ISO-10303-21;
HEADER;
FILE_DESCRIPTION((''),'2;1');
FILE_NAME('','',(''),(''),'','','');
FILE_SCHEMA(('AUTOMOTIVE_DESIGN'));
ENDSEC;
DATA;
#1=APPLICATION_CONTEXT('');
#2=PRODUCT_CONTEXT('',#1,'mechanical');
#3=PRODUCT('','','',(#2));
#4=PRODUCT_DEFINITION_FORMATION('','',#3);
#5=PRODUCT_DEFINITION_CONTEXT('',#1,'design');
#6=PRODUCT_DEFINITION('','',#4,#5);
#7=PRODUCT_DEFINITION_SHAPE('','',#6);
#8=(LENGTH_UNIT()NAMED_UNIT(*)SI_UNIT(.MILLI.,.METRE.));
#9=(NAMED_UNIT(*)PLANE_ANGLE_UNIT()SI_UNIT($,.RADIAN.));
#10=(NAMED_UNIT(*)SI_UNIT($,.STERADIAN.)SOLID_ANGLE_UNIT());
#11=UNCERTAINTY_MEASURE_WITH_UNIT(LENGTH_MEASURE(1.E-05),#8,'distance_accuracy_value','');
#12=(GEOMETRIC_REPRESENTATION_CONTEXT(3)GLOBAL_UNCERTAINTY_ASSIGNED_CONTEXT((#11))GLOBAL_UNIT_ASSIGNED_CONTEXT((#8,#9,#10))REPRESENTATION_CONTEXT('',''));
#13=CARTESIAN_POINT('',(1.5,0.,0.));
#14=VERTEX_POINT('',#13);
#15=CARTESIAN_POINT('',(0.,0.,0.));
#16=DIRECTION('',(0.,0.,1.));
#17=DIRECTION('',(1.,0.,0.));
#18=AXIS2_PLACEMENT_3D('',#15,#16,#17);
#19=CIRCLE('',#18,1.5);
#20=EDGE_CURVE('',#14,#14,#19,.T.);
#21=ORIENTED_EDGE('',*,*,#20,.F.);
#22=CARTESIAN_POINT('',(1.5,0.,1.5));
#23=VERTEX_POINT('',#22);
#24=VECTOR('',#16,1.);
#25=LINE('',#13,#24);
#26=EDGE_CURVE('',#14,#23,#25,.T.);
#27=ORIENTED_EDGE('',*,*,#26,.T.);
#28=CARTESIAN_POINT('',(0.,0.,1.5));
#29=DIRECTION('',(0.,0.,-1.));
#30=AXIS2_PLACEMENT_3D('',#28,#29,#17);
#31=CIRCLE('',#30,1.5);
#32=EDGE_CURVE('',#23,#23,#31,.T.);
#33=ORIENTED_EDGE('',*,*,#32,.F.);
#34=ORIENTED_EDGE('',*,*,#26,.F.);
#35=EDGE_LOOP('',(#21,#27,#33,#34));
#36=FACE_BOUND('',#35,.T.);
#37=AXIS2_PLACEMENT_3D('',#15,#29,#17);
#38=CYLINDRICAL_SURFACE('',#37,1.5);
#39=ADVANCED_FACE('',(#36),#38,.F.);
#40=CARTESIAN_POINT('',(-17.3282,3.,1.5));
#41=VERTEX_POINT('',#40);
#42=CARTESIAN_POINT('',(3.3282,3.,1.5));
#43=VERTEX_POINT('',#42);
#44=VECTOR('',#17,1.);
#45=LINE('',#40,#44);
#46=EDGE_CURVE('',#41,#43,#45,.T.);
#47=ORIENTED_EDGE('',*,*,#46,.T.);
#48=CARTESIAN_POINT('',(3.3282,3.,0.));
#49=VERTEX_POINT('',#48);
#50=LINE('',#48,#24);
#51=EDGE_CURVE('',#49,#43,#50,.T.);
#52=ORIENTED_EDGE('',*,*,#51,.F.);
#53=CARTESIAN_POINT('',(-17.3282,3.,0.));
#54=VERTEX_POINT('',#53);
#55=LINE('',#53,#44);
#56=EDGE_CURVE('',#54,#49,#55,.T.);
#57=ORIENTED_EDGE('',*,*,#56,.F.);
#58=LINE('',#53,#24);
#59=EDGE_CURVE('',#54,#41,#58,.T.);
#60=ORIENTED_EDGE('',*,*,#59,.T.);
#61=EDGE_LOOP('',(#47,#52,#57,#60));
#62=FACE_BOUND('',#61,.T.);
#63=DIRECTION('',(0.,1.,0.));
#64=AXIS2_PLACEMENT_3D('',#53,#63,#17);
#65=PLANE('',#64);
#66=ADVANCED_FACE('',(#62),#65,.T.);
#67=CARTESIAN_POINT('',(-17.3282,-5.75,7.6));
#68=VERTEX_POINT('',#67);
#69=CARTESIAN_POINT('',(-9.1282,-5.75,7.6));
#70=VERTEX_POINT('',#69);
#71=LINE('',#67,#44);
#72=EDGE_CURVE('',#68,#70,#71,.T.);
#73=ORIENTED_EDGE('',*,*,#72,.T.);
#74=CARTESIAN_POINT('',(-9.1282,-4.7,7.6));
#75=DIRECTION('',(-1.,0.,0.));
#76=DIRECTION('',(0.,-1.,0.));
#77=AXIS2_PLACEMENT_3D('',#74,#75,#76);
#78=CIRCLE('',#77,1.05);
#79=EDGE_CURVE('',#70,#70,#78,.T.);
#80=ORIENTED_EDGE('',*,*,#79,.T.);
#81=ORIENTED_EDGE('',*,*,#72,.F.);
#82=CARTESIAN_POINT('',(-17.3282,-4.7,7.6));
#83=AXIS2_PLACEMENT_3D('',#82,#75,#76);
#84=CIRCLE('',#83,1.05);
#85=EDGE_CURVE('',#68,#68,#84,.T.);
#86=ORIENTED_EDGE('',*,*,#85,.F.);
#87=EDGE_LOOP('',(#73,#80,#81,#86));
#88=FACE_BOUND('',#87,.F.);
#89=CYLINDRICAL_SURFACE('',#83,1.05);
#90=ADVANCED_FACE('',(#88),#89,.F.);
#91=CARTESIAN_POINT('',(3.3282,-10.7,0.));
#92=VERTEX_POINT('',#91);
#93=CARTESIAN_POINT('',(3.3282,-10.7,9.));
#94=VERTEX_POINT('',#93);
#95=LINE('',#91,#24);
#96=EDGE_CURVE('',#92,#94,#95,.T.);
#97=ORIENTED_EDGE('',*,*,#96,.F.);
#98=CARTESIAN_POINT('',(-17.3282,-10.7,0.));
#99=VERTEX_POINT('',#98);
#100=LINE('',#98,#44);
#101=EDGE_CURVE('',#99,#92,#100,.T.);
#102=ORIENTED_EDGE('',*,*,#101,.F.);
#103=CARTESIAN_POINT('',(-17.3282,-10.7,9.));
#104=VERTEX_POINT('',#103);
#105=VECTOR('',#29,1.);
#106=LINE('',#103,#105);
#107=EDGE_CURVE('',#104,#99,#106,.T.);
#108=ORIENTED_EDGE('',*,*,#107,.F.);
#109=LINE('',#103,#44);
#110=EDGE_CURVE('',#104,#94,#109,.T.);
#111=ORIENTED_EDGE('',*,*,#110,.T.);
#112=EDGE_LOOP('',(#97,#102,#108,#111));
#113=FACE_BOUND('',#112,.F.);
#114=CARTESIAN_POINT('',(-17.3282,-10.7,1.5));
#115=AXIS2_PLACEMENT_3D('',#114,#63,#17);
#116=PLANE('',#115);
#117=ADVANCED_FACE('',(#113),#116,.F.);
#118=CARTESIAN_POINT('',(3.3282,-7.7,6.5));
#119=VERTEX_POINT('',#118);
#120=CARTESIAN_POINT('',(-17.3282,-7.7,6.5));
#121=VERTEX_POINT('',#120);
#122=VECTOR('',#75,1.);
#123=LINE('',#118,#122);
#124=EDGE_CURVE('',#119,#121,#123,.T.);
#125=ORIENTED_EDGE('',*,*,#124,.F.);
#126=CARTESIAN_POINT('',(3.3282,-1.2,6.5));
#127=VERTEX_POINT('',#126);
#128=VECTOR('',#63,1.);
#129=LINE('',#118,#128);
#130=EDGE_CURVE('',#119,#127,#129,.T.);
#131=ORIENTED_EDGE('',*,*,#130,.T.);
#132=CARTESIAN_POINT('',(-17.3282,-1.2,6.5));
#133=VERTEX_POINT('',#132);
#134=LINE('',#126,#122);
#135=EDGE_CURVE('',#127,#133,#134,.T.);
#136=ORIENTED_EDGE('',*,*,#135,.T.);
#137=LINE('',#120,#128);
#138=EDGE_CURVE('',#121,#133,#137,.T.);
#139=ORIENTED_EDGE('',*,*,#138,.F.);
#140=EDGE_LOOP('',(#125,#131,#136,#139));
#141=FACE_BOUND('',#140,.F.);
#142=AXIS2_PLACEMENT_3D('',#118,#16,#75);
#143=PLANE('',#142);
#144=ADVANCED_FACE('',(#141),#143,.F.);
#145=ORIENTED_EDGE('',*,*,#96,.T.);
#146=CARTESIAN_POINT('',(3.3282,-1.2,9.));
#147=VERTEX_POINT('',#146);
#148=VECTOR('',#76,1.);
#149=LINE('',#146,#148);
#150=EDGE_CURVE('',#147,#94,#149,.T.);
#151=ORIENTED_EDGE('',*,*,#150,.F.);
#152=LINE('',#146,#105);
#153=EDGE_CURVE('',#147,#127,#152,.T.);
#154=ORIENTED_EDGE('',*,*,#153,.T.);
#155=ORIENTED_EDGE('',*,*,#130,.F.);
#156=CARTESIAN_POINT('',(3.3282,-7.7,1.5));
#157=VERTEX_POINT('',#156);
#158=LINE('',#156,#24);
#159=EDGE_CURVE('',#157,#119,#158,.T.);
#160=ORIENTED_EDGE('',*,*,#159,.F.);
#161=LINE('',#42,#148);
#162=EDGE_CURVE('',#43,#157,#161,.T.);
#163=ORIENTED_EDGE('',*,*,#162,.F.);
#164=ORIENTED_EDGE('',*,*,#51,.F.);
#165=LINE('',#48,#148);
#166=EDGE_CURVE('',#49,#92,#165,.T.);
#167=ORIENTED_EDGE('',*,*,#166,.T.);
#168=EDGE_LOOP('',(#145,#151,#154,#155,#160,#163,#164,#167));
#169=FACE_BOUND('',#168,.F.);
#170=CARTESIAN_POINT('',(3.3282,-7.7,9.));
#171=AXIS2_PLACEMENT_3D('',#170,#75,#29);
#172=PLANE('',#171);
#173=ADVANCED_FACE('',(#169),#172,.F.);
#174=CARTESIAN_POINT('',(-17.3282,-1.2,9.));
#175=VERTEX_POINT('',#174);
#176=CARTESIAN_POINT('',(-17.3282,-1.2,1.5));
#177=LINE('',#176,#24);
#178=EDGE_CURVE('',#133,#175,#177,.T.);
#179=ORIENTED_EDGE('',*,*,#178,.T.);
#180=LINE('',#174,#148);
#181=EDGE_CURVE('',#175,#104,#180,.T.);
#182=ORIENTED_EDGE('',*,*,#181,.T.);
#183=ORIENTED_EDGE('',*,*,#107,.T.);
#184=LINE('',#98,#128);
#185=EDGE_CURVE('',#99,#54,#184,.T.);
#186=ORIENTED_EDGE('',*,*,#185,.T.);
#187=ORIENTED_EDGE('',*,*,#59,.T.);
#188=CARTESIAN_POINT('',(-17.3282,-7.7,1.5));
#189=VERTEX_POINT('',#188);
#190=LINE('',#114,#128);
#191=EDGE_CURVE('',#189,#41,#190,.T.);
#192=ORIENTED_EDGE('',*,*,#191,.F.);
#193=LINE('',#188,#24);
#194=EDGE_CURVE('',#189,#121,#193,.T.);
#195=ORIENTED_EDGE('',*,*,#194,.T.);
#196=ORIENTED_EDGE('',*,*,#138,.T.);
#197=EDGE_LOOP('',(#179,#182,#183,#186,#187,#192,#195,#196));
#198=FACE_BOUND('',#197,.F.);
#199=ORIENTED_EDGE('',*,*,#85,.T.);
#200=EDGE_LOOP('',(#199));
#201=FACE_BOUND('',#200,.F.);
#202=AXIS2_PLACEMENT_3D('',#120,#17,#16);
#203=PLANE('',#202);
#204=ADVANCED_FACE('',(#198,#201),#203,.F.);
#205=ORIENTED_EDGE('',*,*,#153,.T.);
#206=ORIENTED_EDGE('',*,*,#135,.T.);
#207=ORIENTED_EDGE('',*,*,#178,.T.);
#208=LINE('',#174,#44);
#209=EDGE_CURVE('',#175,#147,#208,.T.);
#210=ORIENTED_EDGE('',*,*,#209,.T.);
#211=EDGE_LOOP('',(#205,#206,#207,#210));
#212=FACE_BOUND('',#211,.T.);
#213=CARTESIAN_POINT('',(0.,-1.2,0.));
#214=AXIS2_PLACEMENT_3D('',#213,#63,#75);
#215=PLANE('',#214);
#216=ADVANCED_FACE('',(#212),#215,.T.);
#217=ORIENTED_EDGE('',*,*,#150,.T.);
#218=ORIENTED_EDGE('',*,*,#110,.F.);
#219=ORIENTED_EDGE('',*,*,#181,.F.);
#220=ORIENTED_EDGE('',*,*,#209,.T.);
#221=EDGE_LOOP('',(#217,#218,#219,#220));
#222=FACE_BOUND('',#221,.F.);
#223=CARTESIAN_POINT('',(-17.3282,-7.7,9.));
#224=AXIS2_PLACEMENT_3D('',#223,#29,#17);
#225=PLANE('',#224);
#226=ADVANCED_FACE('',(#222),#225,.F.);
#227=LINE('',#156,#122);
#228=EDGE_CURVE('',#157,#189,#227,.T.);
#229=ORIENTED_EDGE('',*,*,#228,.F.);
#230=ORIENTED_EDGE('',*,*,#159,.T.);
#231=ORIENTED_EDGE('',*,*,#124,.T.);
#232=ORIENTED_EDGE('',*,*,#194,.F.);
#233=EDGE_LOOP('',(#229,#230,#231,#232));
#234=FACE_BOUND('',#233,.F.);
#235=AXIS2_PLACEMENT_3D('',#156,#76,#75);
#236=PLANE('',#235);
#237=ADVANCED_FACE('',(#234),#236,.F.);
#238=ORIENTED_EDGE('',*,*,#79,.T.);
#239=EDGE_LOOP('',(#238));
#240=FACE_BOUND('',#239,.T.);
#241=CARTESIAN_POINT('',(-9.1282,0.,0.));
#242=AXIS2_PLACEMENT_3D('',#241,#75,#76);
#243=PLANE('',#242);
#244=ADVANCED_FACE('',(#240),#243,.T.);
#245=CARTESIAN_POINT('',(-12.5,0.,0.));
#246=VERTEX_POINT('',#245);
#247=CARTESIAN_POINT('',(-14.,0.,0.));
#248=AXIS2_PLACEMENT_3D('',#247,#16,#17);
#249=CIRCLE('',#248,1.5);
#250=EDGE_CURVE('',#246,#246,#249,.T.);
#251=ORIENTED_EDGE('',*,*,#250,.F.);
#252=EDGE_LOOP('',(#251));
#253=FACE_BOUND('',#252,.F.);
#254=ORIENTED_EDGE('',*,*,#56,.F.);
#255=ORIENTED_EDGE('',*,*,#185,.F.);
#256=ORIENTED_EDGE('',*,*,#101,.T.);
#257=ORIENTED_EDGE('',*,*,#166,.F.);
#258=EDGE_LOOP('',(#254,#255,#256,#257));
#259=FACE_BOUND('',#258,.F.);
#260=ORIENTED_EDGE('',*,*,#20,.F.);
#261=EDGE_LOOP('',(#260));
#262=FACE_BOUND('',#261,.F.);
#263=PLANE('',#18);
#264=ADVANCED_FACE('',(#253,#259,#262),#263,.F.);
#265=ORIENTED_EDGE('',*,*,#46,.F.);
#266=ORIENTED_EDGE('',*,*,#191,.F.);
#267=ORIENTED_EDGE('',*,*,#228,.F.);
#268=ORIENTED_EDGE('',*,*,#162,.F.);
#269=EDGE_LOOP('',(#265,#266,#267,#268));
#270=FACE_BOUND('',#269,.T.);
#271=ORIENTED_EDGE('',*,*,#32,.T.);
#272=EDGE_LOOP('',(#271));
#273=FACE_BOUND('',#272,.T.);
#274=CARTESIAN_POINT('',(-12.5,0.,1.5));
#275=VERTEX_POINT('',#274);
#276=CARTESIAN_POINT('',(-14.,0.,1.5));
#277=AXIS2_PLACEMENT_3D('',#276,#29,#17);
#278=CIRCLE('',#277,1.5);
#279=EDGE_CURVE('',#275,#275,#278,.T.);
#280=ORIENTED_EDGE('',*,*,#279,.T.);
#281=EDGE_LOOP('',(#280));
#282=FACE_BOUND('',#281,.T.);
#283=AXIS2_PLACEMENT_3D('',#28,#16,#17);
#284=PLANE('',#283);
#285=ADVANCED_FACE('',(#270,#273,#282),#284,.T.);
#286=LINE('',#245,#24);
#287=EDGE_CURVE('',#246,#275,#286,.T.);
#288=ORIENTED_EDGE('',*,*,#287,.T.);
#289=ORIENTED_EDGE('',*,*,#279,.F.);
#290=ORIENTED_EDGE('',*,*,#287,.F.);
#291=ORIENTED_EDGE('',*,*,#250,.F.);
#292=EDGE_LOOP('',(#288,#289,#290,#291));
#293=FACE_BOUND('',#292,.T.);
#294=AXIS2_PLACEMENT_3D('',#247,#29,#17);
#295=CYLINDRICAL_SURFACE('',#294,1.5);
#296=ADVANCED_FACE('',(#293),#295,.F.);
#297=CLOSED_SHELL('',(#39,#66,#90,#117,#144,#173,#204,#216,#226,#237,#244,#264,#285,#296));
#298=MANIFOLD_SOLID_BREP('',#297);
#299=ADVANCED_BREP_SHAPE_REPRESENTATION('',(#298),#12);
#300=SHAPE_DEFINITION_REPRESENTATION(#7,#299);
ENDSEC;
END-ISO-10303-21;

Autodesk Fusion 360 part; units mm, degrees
sketch "草图1" plane through (0, 0, 0) normal (0, 0, 1) x (1, 0, 0)
  circle A0 centre (0, 0) radius 1.5
  circle A1 centre (-14, 0) radius 1.5
  line L0 (-14, 0) -> (0, 0) construction
  line L1 (-7, 0) -> (-7, -17.5669) construction
  dimension "d1" = 3
  dimension "d2" = 14
  dimension "d3" = 3
sketch "草图2" plane through (0, 0, 0) normal (0, 0, 1) x (1, 0, 0)
  line L0 (-17.3282, -10.7) -> (-17.3282, 3)
  line L1 (-17.3282, 3) -> (3.3282, 3)
  line L2 (3.3282, 3) -> (3.3282, -10.7)
  line L3 (-7, 0) -> (-7, -17.5669)
  line L4 (3.3282, -10.7) -> (-17.3282, -10.7)
  line L5 (-14, 0) -> (0, 0)
  dimension "d4" = 10.7
  dimension "d11" = 3
extrude "拉伸1" add sketch "草图2" along normal blind 1.5 in component "Component'"
extrude "拉伸2" cut sketch "草图1" along normal blind 4 in component "Component'"
sketch "草图4" plane through (0, 0, 1.5) normal (0, 0, 1) x (-1, 0, 0)
  circle A0 centre (14, 0) radius 1.5
  circle A1 centre (0, 0) radius 1.5
  line L0 (-3.3282, 10.7) -> (-3.3282, -3)
  line L1 (-3.3282, -3) -> (17.3282, -3)
  line L2 (17.3282, -3) -> (17.3282, 10.7)
  line L3 (17.3282, 10.7) -> (-3.3282, 10.7)
  line L4 (-3.3282, 10.7) -> (-3.3282, 7.7)
  line L5 (-3.3282, 7.7) -> (17.3282, 7.7)
  line L6 (17.3282, 10.7) -> (-3.3282, 10.7)
  dimension "d12" = 3
extrude "拉伸3" add sketch "草图4" along normal blind 7.5 contours L0 L2 L3 L4 L5 L6 in component "Component'"
sketch "草图5" plane through (0, -7.7, 0) normal (0, 1, 0) x (-1, 0, 0)
  line L0 (-3.3282, 1.5) -> (17.3282, 1.5)
  line L1 (17.3282, 1.5) -> (17.3282, 9)
  line L2 (17.3282, 9) -> (-3.3282, 9)
  line L3 (-3.3282, 9) -> (-3.3282, 1.5)
  line L4 (-3.3282, 6.5) -> (17.3282, 6.5)
  line L5 (17.3282, 9) -> (-3.3282, 9)
  dimension "d15" = 2.5
extrude "拉伸4" add sketch "草图5" along normal blind 6.5 contours L1 L2 L3 L4 L5 in component "Component'"
sketch "草图6" plane through (-17.3282, 0, 0) normal (-1, 0, 0) x (0, -1, 0)
  line L0 (-3, 0) -> (10.7, 0)
  line L1 (10.7, 0) -> (10.7, 9)
  line L2 (10.7, 9) -> (1.2, 9)
  line L3 (1.2, 9) -> (1.2, 6.5)
  line L4 (1.2, 6.5) -> (7.7, 6.5)
  line L5 (7.7, 6.5) -> (7.7, 1.5)
  line L6 (7.7, 1.5) -> (-3, 1.5)
  line L7 (-3, 1.5) -> (-3, 0)
  circle A0 centre (4.7, 7.6) radius 1.05
  point P0 (4.7, 7.6)
  dimension "d18" = 3
  dimension "d19" = 6.1
  dimension "d20" = 2.1
extrude "拉伸5" cut sketch "草图6" against normal blind 8.2 contours A0 in component "Component'"
component "Component'" placed x (1, 0, 0) y (0, 1, 0) z (0, 0, 1) at (0, 0, 0)
